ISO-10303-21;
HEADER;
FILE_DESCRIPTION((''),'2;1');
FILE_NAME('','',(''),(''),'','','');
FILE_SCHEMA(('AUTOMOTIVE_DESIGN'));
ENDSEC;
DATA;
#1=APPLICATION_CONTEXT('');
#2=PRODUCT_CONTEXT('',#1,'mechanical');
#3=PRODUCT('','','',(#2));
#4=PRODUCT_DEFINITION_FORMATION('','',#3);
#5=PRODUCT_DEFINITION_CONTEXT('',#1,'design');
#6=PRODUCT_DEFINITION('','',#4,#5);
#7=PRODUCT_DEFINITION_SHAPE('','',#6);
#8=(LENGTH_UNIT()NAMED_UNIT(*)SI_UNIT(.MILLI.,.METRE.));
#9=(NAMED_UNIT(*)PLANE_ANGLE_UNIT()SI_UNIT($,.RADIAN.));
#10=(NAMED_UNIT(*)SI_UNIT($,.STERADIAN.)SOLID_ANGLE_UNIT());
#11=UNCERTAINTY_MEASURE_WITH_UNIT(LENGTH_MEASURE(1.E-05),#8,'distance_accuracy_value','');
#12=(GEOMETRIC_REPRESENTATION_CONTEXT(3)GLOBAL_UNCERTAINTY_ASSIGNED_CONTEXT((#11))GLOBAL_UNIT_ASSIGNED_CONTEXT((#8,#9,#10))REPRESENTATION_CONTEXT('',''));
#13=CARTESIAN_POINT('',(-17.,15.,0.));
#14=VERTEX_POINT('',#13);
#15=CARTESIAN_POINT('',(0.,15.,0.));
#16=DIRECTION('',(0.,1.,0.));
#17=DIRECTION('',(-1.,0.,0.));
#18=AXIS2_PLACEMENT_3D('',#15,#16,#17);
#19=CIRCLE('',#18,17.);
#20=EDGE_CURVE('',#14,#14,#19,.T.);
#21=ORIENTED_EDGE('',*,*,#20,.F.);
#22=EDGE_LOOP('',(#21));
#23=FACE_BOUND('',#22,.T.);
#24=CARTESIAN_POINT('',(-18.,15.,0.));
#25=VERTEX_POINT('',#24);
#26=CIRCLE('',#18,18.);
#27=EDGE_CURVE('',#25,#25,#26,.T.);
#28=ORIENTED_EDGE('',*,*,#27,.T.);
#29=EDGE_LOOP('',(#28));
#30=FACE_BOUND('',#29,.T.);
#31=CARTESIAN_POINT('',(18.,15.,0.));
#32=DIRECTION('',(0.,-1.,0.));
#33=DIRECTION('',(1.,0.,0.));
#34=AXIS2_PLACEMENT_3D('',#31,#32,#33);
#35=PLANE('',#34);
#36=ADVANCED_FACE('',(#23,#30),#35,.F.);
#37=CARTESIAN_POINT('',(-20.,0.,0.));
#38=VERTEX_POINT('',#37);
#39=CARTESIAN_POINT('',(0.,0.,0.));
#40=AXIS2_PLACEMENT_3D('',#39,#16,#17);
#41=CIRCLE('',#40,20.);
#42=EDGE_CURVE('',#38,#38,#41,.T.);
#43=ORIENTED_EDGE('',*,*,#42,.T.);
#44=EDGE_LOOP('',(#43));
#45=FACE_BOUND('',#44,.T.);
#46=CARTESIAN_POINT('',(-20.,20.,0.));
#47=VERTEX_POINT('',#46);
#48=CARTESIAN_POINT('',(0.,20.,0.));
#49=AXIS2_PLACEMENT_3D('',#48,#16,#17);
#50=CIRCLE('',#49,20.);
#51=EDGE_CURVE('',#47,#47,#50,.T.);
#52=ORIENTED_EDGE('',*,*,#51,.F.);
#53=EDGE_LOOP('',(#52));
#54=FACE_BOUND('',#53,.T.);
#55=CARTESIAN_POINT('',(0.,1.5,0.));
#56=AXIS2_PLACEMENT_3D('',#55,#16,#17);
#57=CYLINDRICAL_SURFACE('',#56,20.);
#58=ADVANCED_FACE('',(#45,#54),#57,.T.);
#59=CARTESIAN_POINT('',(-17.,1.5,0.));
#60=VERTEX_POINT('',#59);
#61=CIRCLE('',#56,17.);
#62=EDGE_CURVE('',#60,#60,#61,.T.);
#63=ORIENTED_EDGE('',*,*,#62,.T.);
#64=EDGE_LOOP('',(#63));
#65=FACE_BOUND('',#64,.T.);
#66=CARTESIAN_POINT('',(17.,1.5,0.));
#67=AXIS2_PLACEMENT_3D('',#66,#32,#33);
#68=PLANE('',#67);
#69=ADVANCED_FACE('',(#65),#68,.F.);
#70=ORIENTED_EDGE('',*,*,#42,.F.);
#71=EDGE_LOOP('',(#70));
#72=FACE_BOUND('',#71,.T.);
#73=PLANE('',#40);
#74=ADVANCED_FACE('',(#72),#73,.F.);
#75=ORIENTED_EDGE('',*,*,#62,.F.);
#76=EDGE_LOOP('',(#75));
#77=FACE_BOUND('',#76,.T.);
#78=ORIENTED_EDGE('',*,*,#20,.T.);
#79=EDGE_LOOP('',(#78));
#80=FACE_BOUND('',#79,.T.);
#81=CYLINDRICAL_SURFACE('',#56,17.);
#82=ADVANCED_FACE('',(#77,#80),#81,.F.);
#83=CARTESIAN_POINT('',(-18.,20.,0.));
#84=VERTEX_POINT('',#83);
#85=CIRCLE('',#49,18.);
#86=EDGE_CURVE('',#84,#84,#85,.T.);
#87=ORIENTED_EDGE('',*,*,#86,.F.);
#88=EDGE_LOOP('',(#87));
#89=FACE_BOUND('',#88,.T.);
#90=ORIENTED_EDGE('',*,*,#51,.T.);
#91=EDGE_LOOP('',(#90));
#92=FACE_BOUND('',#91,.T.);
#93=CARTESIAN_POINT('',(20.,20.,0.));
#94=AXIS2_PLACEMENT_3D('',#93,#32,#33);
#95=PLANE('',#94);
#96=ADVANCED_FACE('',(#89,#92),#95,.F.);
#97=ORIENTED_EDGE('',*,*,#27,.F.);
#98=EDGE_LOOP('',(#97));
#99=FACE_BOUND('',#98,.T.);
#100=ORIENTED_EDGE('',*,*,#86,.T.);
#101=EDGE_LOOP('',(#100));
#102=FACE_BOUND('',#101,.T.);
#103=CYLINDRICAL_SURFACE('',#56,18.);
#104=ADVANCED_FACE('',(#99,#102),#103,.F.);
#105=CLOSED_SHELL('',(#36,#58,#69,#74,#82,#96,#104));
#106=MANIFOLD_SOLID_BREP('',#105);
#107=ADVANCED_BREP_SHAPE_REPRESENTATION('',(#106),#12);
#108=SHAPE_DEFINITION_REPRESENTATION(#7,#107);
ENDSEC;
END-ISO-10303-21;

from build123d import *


with BuildPart() as part:
    # Sketch1 → Revolve1 (revolve)
    with BuildSketch(Plane.XY):
        Polygon((0, 0), (20, 0), (20, 20), (18, 20), (18, 15), (17, 15), (17, 1.5), (0, 1.5), align=None)
    revolve(axis=Axis((0, 1.5, 0), (0, -1, 0)))


solid = part.part
